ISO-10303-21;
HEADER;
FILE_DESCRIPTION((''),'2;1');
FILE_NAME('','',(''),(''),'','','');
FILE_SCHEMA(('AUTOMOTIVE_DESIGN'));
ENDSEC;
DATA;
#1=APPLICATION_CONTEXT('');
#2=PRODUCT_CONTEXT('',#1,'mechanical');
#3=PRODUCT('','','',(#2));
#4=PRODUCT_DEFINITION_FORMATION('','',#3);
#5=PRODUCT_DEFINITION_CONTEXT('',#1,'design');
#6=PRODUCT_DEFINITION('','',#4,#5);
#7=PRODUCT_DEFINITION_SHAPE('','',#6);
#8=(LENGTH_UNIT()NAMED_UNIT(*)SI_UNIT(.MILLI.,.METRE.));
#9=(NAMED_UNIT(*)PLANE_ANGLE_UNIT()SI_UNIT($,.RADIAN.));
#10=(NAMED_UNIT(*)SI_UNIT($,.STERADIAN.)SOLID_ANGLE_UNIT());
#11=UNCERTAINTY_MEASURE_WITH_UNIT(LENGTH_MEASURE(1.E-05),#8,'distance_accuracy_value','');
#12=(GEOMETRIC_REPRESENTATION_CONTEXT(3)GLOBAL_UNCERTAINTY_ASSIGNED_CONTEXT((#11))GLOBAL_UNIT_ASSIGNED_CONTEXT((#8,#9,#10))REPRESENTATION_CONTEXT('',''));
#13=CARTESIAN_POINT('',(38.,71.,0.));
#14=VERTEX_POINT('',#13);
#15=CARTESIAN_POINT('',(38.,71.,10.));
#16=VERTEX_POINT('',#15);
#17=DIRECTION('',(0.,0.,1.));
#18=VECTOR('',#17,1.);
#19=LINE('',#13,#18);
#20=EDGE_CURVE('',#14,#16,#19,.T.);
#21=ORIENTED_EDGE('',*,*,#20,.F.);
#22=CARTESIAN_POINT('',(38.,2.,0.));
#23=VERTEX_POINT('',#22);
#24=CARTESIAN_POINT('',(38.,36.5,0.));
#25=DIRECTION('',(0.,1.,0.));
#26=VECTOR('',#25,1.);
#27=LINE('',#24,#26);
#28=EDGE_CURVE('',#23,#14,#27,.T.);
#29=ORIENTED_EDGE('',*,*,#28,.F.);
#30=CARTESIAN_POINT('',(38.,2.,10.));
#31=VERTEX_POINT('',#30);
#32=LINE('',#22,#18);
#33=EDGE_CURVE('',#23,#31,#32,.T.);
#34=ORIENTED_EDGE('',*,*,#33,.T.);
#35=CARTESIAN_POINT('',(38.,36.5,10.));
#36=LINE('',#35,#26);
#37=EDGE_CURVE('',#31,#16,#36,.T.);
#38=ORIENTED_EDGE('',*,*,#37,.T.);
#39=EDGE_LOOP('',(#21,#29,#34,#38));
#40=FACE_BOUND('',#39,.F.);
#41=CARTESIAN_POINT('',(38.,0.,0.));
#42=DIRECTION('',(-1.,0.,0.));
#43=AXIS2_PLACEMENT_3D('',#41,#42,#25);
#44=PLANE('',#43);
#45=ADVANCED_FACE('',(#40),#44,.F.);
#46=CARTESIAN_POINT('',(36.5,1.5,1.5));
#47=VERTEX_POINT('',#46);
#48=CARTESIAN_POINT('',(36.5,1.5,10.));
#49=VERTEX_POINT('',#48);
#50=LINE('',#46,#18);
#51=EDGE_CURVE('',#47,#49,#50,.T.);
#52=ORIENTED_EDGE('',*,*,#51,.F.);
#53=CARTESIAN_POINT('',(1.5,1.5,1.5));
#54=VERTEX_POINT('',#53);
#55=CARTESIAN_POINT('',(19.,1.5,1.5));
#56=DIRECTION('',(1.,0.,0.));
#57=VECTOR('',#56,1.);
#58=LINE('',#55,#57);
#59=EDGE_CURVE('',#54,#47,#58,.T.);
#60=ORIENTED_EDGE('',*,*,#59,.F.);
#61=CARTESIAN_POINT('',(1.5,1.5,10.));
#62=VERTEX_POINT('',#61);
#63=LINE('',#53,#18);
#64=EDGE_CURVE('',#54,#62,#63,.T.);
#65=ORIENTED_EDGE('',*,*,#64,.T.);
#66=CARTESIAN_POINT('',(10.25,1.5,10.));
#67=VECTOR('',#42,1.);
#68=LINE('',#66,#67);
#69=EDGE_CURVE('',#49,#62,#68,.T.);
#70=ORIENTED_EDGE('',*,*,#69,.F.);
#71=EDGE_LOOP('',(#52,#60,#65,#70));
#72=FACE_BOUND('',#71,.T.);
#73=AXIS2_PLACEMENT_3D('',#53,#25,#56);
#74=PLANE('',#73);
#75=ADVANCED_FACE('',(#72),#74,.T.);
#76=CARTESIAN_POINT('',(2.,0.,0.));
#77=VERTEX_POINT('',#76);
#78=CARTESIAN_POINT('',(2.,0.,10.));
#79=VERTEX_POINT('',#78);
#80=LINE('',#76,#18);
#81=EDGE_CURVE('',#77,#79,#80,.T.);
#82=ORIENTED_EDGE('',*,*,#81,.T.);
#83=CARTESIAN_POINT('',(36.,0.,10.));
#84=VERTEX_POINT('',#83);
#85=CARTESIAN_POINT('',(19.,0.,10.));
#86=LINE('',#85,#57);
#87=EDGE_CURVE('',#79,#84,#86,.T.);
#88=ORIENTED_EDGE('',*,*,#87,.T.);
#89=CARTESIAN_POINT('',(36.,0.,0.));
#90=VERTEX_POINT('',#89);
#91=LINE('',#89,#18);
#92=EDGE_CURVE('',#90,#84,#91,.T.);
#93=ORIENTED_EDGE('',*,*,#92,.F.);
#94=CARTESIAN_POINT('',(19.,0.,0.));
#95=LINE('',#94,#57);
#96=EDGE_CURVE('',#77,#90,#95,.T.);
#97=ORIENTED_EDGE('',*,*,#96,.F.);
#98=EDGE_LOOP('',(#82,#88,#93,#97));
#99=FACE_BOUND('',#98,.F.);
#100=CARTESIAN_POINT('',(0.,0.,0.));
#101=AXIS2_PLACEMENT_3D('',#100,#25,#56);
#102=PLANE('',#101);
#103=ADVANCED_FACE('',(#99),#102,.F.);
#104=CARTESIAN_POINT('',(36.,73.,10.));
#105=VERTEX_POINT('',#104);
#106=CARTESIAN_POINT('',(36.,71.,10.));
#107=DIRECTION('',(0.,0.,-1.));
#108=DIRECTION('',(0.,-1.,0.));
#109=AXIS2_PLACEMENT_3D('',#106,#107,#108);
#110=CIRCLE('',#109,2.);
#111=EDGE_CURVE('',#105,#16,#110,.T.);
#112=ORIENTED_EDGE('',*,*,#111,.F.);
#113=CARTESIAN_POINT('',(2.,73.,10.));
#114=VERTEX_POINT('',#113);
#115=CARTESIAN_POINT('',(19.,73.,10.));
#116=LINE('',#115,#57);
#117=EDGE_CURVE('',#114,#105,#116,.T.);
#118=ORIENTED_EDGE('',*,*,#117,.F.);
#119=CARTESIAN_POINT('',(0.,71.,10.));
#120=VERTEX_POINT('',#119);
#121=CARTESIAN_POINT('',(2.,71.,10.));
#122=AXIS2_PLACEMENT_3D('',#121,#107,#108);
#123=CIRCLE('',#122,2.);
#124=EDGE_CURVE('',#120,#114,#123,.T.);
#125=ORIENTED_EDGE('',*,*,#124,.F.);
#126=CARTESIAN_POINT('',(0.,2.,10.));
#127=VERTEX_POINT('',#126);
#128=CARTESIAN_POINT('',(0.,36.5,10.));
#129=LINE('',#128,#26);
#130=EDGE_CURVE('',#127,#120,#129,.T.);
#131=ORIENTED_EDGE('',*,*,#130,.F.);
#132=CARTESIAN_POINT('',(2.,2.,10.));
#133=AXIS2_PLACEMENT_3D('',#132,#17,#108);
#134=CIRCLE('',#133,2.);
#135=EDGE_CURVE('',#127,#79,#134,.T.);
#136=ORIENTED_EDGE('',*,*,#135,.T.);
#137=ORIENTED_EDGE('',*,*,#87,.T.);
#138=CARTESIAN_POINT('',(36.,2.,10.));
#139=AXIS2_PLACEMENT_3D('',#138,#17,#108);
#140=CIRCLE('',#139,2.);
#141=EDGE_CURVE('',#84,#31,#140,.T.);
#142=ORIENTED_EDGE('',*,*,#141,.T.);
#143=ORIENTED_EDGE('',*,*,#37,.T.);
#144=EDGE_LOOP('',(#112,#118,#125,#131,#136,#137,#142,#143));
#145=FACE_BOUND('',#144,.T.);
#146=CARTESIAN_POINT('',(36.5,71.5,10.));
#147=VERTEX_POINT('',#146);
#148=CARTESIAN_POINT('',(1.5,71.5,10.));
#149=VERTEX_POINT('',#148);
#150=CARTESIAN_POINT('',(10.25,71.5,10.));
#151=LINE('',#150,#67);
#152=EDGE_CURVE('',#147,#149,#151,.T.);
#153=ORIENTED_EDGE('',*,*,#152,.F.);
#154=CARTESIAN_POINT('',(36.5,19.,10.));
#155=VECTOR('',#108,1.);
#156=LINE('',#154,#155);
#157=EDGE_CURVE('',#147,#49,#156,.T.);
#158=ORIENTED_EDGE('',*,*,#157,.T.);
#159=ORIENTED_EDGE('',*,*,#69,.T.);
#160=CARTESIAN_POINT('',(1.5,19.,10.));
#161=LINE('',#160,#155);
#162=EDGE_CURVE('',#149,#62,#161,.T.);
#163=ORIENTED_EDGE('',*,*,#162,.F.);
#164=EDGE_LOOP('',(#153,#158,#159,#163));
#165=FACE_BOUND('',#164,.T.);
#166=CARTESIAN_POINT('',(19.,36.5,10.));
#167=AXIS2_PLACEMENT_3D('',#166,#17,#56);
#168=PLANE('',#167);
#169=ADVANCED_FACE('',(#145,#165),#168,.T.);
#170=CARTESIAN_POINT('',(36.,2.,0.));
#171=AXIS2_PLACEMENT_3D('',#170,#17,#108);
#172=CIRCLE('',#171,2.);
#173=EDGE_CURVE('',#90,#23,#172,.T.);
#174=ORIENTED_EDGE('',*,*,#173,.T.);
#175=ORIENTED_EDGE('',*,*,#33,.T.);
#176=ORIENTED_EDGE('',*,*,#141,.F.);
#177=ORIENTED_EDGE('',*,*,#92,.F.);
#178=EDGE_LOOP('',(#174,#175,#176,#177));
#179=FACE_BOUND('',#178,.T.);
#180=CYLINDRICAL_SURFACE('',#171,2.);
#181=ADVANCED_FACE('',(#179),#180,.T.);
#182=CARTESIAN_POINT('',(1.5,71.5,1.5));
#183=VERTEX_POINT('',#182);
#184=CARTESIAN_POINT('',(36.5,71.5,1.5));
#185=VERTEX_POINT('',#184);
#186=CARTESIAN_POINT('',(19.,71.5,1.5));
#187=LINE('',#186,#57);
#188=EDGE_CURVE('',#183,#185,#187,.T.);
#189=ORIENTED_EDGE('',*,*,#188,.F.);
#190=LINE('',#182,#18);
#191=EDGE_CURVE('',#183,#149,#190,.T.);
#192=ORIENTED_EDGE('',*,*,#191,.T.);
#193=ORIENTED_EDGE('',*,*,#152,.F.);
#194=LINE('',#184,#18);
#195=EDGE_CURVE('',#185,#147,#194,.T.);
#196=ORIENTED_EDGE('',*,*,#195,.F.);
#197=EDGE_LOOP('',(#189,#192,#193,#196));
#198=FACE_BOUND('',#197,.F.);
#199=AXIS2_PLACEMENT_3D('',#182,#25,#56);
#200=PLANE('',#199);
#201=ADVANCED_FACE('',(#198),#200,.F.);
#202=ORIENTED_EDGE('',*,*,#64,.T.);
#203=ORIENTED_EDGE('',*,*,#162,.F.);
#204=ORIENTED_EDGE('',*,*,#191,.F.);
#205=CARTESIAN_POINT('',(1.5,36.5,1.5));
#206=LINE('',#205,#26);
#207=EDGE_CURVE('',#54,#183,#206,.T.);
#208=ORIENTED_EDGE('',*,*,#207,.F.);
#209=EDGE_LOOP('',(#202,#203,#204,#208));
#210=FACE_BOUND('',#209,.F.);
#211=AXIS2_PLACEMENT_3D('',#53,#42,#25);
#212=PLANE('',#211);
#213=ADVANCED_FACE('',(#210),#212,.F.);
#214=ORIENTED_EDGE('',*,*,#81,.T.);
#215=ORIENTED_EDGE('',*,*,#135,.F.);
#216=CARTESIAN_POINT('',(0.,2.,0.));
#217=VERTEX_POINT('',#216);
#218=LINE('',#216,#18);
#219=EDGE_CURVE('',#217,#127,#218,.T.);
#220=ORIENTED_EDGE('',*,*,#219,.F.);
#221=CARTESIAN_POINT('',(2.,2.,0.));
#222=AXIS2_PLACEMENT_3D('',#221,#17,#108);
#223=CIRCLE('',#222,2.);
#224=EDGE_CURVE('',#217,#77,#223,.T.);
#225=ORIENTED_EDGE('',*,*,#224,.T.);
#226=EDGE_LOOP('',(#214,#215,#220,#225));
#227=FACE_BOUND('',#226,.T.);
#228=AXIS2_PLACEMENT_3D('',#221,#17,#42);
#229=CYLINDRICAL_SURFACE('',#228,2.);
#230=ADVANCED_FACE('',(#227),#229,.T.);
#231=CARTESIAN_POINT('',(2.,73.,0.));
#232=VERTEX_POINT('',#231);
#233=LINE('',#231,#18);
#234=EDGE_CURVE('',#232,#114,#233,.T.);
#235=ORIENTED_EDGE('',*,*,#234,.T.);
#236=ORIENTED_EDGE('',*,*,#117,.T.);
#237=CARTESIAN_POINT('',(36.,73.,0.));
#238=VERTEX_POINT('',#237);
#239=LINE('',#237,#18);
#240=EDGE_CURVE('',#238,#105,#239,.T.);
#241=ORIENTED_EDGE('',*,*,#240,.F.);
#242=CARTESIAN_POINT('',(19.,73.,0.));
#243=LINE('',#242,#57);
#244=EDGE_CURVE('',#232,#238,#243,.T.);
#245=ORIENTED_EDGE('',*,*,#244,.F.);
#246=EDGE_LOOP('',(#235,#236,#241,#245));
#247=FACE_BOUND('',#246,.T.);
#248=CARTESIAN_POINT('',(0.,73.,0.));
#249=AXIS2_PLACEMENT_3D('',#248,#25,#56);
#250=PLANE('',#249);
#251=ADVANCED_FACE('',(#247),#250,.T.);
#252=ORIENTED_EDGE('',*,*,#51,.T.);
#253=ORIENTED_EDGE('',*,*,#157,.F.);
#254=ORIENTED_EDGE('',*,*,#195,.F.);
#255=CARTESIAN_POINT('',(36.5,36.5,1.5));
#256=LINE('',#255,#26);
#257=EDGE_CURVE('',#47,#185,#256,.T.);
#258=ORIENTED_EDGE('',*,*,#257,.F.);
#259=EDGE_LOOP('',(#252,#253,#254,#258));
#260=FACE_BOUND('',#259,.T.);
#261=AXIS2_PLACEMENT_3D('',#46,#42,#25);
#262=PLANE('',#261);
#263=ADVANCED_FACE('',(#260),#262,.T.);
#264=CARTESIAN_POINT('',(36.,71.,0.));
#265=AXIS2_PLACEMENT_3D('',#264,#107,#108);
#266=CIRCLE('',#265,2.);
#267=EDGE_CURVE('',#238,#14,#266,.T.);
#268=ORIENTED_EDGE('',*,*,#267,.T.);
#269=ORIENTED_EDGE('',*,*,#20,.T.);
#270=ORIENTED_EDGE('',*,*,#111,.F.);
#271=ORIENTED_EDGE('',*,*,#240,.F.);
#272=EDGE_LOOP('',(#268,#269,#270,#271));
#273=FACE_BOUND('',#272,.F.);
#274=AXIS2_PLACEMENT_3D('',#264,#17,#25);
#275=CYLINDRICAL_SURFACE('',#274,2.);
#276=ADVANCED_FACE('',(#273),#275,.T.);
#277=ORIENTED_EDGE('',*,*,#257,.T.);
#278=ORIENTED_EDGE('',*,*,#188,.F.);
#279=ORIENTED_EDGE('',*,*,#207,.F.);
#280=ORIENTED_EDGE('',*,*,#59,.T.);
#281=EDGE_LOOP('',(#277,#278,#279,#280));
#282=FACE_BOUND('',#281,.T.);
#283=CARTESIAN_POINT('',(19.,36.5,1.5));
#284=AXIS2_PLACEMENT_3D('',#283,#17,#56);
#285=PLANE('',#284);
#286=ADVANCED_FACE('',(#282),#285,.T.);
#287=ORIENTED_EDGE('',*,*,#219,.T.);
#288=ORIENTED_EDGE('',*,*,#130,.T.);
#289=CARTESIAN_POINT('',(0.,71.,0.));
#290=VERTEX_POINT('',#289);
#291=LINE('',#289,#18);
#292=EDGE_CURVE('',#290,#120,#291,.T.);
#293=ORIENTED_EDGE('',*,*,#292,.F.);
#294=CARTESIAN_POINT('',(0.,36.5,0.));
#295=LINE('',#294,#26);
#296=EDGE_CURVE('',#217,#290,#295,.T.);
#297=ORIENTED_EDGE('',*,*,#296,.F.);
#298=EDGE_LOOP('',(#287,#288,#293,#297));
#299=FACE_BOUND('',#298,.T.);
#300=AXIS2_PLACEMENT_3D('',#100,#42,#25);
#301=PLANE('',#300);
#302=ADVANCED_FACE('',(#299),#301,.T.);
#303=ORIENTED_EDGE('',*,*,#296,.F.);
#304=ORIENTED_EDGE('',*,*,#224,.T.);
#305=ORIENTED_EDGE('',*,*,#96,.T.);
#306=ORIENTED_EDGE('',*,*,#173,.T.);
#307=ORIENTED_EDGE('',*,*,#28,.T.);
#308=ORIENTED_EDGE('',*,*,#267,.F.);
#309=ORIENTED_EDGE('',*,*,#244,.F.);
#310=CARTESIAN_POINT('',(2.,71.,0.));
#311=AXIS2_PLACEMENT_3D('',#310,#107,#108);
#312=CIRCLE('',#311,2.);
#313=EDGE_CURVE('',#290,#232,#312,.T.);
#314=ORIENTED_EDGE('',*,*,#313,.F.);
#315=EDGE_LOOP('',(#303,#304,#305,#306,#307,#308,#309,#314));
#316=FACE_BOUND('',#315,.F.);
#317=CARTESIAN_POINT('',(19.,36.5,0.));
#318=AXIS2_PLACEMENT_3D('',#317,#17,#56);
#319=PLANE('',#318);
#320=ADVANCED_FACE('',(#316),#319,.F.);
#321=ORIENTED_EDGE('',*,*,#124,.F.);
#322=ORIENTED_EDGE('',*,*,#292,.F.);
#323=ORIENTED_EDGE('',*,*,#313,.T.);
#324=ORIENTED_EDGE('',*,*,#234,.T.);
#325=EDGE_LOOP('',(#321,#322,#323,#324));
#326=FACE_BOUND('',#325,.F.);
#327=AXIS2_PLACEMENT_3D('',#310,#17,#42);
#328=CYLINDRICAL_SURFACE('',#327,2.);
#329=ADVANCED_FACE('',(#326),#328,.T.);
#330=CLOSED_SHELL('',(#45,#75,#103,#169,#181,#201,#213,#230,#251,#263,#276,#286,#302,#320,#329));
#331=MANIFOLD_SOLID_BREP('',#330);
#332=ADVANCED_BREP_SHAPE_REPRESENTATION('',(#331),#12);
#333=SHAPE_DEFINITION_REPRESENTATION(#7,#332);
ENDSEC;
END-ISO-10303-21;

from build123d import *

# Parameters (mm, degrees)
BOX001_W     = 35
BOX001_H     = 70
BOX001_DEPTH = 9
BOX_W        = 38
BOX_H        = 73
BOX_DEPTH    = 10
FILLET_R     = 2


with BuildPart() as interior:
    # Box001 → Box001 (new body)
    with BuildSketch(Plane(origin=(1.5, 1.5, 1.5), x_dir=(1, 0, 0), z_dir=(0, 0, 1))):
        with Locations((17.5, 35)):
            Rectangle(BOX001_W, BOX001_H)
    extrude(amount=BOX001_DEPTH)


with BuildPart() as caja_triangulosconstructivos_lado4cm:
    # Box → Box (new body)
    with BuildSketch(Plane.XY):
        with Locations((19, 36.5)):
            Rectangle(BOX_W, BOX_H)
    extrude(amount=BOX_DEPTH)

    # Cut: cut Interior
    add(interior.part, mode=Mode.SUBTRACT)

    # Fillet
    fillet_edges = [caja_triangulosconstructivos_lado4cm.edges().sort_by_distance(p)[0] for p in [
        (0, 0, 5),
        (0, 73, 5),
        (38, 0, 5),
        (38, 73, 5),
    ]]
    fillet(fillet_edges, radius=FILLET_R)


solid = caja_triangulosconstructivos_lado4cm.part
